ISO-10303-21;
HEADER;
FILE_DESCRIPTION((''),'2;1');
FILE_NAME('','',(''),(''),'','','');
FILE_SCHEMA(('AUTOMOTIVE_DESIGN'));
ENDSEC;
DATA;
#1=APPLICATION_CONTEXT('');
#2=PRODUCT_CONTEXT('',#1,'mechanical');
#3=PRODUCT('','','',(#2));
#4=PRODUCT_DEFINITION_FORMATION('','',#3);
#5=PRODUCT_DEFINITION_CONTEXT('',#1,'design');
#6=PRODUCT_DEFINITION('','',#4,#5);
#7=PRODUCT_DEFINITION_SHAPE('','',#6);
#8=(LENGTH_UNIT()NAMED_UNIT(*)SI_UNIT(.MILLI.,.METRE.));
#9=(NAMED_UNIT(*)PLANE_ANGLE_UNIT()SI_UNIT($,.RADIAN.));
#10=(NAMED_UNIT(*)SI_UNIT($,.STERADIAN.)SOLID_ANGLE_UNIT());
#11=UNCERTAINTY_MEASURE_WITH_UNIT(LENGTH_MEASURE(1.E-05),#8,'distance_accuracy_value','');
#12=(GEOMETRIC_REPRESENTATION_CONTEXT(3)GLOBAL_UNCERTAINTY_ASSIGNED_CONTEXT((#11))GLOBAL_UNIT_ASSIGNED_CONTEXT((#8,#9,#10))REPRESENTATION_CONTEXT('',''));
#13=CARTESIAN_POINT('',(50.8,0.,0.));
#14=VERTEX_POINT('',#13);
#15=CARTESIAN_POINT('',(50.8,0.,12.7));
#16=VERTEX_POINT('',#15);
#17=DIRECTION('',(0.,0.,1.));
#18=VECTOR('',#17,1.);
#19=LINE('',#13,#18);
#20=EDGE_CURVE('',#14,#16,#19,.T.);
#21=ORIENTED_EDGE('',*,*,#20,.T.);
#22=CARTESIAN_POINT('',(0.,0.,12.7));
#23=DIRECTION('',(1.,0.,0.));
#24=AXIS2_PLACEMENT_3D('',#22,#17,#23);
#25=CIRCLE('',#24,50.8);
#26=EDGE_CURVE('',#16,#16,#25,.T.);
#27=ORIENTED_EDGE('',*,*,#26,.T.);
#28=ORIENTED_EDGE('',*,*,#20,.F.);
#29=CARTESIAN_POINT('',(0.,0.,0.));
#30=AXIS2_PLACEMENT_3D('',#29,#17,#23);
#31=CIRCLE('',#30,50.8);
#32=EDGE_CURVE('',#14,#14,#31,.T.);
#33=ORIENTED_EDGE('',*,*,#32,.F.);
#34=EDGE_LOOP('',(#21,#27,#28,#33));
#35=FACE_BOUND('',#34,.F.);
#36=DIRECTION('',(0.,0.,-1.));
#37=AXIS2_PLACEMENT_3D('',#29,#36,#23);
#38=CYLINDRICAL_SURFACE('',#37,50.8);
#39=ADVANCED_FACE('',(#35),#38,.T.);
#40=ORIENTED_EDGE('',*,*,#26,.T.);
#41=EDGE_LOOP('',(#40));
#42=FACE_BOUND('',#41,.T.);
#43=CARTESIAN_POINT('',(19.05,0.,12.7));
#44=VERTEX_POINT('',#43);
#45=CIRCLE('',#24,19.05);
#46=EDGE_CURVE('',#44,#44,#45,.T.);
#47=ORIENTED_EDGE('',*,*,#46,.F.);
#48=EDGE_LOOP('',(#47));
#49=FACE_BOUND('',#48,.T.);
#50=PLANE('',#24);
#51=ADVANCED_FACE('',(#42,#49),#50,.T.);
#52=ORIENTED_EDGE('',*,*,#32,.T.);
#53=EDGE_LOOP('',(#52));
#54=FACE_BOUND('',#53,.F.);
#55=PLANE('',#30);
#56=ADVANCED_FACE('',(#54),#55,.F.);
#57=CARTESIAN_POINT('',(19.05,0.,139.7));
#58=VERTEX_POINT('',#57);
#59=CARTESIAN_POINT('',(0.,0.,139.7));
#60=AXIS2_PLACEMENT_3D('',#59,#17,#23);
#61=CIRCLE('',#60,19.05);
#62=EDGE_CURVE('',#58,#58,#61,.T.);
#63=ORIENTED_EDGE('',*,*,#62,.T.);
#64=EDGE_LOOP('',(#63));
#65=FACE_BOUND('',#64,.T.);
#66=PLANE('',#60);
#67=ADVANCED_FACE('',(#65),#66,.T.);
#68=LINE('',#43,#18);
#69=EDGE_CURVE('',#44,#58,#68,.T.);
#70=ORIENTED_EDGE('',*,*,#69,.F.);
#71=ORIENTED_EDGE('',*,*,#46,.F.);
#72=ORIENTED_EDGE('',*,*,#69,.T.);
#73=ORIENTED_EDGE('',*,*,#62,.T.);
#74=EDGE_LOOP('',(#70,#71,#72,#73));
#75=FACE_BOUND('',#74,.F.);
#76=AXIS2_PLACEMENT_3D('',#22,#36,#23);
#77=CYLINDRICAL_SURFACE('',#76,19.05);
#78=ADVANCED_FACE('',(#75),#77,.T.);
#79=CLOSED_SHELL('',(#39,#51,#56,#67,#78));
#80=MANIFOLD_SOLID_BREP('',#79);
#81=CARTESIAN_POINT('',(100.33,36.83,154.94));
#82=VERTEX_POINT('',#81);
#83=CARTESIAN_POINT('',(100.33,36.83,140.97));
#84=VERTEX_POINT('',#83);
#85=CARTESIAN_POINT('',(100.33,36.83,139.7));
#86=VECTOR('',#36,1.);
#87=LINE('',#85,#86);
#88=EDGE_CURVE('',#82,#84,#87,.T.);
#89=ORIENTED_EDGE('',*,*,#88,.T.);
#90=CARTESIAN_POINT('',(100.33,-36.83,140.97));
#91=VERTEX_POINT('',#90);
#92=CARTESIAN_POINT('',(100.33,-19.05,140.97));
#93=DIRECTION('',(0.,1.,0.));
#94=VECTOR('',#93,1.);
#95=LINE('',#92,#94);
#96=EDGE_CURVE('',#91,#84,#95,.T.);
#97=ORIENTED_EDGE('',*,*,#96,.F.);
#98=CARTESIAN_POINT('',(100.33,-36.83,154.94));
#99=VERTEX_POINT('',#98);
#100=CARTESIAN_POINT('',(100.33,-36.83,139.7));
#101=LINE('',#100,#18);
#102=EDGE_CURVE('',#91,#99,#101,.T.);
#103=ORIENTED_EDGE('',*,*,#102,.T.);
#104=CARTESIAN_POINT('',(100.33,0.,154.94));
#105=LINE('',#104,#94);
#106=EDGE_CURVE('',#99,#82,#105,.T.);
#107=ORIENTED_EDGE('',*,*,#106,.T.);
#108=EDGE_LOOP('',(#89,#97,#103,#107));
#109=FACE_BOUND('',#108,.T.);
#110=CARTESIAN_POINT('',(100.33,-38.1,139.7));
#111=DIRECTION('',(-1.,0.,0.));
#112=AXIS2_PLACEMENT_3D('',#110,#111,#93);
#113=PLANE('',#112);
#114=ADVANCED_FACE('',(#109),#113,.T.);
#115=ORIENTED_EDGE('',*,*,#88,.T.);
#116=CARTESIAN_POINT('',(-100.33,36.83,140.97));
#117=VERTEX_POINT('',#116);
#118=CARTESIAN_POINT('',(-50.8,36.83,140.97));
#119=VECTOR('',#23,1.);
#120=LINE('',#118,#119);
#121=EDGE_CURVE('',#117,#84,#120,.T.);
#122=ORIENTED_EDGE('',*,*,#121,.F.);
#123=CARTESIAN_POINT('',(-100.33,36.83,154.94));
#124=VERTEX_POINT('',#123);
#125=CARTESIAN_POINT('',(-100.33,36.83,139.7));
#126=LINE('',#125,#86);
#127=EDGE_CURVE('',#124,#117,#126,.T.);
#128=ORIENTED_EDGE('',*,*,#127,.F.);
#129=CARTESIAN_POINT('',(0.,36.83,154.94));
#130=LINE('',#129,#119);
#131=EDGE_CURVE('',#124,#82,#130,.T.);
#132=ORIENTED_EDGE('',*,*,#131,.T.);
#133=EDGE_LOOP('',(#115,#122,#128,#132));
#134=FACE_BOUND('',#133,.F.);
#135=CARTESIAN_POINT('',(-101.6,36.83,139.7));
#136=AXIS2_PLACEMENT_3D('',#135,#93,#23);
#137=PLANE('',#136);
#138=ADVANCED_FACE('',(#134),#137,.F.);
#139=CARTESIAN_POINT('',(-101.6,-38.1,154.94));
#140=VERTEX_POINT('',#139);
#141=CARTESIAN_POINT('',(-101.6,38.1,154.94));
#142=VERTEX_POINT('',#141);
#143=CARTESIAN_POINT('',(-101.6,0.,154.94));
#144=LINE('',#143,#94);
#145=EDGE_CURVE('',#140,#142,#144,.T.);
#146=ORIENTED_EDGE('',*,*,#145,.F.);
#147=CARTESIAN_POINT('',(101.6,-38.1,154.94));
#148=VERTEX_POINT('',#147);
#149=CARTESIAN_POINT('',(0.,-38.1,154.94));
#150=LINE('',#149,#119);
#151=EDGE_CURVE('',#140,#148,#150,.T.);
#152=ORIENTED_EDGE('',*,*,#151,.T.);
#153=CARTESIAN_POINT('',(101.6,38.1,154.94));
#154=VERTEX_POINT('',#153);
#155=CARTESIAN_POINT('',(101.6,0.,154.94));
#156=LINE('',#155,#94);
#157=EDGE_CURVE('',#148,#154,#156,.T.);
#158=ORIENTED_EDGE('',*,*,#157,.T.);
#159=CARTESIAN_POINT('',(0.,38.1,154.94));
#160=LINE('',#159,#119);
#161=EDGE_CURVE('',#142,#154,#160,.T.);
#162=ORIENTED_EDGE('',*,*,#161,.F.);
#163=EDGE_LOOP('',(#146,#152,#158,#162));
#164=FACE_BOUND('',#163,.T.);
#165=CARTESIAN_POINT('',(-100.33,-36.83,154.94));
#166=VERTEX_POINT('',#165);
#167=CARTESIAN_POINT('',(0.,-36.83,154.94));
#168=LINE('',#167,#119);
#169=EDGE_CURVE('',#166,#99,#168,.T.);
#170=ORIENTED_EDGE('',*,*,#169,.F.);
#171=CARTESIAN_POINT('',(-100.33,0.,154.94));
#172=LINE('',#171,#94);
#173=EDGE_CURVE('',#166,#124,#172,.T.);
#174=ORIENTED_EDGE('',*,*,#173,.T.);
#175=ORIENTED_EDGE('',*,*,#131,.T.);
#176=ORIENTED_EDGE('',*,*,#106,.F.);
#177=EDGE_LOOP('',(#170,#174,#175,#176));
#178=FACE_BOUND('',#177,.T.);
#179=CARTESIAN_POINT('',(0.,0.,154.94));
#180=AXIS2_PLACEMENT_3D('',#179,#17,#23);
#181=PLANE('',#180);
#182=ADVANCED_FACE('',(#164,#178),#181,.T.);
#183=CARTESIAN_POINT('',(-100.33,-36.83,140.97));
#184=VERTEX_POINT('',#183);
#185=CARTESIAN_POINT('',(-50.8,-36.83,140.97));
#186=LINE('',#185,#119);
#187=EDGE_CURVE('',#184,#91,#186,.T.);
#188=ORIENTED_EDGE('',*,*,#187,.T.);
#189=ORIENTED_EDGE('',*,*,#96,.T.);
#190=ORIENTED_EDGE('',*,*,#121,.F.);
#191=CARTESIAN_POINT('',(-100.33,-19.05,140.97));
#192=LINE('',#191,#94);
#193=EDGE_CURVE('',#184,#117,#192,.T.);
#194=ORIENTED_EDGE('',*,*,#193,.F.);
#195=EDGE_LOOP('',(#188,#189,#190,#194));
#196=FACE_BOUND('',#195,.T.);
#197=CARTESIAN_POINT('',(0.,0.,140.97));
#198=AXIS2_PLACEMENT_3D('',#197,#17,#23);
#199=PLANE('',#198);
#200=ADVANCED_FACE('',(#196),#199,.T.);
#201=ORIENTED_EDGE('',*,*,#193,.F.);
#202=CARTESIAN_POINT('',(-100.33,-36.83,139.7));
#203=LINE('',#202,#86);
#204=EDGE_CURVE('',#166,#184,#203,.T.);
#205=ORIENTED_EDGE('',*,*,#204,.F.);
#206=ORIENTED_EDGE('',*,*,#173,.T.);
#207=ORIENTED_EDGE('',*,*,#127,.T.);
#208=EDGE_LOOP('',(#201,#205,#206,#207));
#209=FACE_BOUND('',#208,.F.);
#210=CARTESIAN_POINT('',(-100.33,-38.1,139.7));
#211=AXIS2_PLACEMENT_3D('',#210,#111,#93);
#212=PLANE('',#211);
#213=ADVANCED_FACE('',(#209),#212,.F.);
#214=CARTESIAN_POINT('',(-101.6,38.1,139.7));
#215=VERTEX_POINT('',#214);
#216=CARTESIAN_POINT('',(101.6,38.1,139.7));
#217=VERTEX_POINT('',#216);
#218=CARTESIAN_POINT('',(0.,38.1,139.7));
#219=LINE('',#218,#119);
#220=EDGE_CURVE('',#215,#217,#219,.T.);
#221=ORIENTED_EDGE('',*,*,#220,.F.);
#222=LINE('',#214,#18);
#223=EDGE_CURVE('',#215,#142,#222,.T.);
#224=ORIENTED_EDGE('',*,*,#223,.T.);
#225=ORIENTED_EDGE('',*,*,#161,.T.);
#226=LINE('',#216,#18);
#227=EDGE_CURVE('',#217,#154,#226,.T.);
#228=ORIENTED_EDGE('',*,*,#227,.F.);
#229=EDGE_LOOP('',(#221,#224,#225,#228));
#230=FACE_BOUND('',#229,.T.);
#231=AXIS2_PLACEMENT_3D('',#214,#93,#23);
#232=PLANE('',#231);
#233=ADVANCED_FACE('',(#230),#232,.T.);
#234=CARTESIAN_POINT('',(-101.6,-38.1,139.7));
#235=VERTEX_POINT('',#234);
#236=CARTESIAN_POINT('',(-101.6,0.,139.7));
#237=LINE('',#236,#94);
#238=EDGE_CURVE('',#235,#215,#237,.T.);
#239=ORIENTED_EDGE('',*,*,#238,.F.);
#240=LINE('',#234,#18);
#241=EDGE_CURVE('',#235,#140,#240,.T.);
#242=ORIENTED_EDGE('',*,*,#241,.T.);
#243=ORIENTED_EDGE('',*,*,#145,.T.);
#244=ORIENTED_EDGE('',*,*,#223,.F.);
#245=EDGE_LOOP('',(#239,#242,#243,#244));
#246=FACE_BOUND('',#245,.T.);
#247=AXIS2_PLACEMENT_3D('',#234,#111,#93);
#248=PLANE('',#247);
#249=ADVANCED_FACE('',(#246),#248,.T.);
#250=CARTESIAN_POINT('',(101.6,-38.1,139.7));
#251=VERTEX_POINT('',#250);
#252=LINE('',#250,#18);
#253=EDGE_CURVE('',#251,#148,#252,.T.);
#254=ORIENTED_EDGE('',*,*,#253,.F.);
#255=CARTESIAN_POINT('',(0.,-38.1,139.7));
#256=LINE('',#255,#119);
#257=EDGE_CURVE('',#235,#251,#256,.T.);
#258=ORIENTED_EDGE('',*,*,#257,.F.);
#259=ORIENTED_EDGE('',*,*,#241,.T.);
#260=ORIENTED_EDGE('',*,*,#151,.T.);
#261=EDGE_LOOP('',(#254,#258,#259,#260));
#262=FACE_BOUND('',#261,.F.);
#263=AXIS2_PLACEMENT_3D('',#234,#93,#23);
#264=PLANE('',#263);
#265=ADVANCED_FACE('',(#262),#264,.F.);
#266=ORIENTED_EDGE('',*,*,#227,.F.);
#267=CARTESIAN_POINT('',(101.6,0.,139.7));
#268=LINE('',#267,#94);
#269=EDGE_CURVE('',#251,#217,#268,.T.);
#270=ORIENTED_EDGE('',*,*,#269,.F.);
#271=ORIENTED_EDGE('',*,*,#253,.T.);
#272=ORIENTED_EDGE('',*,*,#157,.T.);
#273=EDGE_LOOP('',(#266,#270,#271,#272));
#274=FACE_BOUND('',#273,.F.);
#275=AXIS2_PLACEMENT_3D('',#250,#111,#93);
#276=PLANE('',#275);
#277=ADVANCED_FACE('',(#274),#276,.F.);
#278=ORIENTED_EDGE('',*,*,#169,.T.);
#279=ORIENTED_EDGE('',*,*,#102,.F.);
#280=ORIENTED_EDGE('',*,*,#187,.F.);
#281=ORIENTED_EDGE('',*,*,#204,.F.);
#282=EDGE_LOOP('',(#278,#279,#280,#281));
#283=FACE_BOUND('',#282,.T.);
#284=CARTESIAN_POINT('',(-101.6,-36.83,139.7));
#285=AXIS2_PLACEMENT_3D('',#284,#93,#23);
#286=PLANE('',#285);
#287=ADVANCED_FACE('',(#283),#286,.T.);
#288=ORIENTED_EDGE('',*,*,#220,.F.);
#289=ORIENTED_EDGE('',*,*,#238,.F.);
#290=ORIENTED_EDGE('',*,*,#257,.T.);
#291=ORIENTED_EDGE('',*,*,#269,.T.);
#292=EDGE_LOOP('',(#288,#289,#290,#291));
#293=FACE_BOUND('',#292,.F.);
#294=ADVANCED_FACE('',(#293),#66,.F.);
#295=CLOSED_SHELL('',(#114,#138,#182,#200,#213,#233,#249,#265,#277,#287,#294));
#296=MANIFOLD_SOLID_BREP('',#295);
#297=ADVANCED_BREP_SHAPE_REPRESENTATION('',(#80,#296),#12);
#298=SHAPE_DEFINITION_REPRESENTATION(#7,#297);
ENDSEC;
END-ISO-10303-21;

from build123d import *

# Parameters (mm, degrees)
F0_R     = 50.8
F1_DEPTH = 12.7
F2_R     = 19.05
F3_DEPTH = 127
F4_W     = 203.2
F4_H     = 76.2
F4_R     = 19.05
F5_DEPTH = 15.24
F6_T     = -1.27


with BuildPart() as f1:
    # F0 (on Top) → F1 (new body)
    with BuildSketch(Plane.XY):
        Circle(F0_R)
    extrude(amount=F1_DEPTH)

    # F2 (on face) → F3 (join)
    with BuildSketch(Plane.XY.offset(12.7)):
        Circle(F2_R)
    extrude(amount=F3_DEPTH)


with BuildPart() as f5:
    # F4 (on face) → F5 (new body)
    with BuildSketch(Plane.XY.offset(139.7)):
        Rectangle(F4_W, F4_H)
        Circle(F4_R, mode=Mode.SUBTRACT)
        Circle(F4_R)
    extrude(amount=F5_DEPTH)

    # F6
    f6_openings = [f5.faces().sort_by_distance(p)[0] for p in [
        (0, 0, 154.94),
    ]]
    offset(amount=F6_T, openings=f6_openings)


solid = Compound([f1.part, f5.part])
